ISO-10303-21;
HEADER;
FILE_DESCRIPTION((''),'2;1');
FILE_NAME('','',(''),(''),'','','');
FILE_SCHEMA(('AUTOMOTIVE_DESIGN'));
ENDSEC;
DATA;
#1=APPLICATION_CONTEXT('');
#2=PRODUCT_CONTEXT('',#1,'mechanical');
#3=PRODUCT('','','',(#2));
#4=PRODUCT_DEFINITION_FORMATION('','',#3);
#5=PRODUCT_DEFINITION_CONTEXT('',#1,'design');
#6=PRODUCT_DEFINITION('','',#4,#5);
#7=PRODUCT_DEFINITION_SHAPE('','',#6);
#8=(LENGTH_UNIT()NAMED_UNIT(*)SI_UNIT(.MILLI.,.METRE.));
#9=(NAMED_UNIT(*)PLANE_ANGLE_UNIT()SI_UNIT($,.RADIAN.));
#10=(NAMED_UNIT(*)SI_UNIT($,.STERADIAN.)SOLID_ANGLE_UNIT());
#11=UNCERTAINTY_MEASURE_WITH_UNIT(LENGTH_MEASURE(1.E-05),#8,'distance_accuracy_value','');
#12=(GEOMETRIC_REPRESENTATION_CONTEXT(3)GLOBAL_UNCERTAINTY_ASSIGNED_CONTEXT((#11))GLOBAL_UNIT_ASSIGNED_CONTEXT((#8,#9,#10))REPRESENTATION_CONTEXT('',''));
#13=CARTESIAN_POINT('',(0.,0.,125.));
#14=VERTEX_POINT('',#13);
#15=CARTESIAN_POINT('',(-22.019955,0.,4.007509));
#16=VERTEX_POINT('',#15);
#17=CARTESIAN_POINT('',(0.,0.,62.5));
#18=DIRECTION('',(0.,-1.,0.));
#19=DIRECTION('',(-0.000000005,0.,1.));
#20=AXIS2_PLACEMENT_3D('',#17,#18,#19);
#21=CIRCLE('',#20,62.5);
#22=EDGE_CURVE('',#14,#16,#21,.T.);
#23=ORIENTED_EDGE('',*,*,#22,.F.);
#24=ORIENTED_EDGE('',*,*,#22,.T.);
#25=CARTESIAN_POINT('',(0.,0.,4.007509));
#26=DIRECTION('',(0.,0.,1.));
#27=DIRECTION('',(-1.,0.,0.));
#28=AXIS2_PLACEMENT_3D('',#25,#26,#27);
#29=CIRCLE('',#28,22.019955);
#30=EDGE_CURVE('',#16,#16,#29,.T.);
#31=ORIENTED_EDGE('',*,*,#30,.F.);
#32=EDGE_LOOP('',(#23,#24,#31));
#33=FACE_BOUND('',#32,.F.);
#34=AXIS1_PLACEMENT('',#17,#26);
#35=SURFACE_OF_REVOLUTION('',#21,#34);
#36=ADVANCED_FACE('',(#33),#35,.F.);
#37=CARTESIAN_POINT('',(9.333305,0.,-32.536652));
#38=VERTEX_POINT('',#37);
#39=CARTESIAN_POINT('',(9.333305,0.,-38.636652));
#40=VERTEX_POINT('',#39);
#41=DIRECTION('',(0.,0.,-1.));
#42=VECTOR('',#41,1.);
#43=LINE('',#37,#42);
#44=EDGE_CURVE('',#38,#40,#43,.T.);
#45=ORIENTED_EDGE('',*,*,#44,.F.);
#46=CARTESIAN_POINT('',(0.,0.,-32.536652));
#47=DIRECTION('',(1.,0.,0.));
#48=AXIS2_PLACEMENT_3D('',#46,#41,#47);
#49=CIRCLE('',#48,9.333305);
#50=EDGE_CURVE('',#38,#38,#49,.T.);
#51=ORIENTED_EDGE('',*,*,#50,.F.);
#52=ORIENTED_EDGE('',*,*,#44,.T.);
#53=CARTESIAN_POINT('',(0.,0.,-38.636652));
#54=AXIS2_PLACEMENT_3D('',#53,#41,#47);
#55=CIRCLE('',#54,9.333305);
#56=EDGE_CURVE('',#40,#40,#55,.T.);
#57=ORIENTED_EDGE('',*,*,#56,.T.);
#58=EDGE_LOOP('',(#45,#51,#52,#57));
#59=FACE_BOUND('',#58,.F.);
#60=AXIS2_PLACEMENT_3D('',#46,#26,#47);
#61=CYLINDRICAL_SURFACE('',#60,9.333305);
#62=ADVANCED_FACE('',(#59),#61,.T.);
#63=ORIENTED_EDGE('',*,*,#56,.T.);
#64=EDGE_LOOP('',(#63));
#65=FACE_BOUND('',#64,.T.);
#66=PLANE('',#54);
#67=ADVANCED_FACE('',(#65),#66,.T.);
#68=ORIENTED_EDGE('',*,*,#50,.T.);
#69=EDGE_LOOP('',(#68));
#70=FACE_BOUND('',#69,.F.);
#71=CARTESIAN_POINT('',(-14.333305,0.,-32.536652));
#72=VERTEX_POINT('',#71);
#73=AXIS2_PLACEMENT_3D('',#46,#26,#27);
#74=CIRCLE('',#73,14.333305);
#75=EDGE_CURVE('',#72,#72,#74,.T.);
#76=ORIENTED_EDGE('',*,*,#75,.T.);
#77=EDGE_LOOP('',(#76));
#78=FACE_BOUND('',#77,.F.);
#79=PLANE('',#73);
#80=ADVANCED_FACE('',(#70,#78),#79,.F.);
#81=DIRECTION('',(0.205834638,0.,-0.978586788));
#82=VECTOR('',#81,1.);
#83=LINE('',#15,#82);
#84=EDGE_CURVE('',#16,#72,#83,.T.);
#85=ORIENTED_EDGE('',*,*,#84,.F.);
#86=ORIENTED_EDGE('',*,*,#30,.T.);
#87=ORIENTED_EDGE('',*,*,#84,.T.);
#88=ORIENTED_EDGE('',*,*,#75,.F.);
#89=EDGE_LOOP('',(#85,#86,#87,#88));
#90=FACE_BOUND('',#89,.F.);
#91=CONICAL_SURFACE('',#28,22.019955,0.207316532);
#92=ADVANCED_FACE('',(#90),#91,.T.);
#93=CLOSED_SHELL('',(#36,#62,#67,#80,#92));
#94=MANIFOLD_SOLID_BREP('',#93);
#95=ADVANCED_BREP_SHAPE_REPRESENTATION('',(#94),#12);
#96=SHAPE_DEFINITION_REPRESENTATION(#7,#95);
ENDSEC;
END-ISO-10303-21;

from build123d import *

# Parameters (mm, degrees)
F2_R     = 9.333305
F3_DEPTH = 6.1


with BuildPart() as f1:
    # F0 (on Front) → F1 (revolve)
    with BuildSketch(Plane.XZ):
        with BuildLine():
            Line((0, -32.536652), (0, 0))
            Line((0, 0), (0, 125))
            ThreePointArc((0, 125), (-61.489961, 73.690828), (-22.019955, 4.007509))
            Line((-22.019955, 4.007509), (-14.333305, -32.536652))
            Line((-14.333305, -32.536652), (0, -32.536652))
        make_face()
    revolve(axis=Axis((0, 0, 62.5), (0, 0, 1)))

    # F2 (on face) → F3 (join)
    with BuildSketch(Plane(origin=(0, 0, -32.536652), x_dir=(1, 0, 0), z_dir=(0, 0, -1))):
        Circle(F2_R)
    extrude(amount=F3_DEPTH)


solid = f1.part
